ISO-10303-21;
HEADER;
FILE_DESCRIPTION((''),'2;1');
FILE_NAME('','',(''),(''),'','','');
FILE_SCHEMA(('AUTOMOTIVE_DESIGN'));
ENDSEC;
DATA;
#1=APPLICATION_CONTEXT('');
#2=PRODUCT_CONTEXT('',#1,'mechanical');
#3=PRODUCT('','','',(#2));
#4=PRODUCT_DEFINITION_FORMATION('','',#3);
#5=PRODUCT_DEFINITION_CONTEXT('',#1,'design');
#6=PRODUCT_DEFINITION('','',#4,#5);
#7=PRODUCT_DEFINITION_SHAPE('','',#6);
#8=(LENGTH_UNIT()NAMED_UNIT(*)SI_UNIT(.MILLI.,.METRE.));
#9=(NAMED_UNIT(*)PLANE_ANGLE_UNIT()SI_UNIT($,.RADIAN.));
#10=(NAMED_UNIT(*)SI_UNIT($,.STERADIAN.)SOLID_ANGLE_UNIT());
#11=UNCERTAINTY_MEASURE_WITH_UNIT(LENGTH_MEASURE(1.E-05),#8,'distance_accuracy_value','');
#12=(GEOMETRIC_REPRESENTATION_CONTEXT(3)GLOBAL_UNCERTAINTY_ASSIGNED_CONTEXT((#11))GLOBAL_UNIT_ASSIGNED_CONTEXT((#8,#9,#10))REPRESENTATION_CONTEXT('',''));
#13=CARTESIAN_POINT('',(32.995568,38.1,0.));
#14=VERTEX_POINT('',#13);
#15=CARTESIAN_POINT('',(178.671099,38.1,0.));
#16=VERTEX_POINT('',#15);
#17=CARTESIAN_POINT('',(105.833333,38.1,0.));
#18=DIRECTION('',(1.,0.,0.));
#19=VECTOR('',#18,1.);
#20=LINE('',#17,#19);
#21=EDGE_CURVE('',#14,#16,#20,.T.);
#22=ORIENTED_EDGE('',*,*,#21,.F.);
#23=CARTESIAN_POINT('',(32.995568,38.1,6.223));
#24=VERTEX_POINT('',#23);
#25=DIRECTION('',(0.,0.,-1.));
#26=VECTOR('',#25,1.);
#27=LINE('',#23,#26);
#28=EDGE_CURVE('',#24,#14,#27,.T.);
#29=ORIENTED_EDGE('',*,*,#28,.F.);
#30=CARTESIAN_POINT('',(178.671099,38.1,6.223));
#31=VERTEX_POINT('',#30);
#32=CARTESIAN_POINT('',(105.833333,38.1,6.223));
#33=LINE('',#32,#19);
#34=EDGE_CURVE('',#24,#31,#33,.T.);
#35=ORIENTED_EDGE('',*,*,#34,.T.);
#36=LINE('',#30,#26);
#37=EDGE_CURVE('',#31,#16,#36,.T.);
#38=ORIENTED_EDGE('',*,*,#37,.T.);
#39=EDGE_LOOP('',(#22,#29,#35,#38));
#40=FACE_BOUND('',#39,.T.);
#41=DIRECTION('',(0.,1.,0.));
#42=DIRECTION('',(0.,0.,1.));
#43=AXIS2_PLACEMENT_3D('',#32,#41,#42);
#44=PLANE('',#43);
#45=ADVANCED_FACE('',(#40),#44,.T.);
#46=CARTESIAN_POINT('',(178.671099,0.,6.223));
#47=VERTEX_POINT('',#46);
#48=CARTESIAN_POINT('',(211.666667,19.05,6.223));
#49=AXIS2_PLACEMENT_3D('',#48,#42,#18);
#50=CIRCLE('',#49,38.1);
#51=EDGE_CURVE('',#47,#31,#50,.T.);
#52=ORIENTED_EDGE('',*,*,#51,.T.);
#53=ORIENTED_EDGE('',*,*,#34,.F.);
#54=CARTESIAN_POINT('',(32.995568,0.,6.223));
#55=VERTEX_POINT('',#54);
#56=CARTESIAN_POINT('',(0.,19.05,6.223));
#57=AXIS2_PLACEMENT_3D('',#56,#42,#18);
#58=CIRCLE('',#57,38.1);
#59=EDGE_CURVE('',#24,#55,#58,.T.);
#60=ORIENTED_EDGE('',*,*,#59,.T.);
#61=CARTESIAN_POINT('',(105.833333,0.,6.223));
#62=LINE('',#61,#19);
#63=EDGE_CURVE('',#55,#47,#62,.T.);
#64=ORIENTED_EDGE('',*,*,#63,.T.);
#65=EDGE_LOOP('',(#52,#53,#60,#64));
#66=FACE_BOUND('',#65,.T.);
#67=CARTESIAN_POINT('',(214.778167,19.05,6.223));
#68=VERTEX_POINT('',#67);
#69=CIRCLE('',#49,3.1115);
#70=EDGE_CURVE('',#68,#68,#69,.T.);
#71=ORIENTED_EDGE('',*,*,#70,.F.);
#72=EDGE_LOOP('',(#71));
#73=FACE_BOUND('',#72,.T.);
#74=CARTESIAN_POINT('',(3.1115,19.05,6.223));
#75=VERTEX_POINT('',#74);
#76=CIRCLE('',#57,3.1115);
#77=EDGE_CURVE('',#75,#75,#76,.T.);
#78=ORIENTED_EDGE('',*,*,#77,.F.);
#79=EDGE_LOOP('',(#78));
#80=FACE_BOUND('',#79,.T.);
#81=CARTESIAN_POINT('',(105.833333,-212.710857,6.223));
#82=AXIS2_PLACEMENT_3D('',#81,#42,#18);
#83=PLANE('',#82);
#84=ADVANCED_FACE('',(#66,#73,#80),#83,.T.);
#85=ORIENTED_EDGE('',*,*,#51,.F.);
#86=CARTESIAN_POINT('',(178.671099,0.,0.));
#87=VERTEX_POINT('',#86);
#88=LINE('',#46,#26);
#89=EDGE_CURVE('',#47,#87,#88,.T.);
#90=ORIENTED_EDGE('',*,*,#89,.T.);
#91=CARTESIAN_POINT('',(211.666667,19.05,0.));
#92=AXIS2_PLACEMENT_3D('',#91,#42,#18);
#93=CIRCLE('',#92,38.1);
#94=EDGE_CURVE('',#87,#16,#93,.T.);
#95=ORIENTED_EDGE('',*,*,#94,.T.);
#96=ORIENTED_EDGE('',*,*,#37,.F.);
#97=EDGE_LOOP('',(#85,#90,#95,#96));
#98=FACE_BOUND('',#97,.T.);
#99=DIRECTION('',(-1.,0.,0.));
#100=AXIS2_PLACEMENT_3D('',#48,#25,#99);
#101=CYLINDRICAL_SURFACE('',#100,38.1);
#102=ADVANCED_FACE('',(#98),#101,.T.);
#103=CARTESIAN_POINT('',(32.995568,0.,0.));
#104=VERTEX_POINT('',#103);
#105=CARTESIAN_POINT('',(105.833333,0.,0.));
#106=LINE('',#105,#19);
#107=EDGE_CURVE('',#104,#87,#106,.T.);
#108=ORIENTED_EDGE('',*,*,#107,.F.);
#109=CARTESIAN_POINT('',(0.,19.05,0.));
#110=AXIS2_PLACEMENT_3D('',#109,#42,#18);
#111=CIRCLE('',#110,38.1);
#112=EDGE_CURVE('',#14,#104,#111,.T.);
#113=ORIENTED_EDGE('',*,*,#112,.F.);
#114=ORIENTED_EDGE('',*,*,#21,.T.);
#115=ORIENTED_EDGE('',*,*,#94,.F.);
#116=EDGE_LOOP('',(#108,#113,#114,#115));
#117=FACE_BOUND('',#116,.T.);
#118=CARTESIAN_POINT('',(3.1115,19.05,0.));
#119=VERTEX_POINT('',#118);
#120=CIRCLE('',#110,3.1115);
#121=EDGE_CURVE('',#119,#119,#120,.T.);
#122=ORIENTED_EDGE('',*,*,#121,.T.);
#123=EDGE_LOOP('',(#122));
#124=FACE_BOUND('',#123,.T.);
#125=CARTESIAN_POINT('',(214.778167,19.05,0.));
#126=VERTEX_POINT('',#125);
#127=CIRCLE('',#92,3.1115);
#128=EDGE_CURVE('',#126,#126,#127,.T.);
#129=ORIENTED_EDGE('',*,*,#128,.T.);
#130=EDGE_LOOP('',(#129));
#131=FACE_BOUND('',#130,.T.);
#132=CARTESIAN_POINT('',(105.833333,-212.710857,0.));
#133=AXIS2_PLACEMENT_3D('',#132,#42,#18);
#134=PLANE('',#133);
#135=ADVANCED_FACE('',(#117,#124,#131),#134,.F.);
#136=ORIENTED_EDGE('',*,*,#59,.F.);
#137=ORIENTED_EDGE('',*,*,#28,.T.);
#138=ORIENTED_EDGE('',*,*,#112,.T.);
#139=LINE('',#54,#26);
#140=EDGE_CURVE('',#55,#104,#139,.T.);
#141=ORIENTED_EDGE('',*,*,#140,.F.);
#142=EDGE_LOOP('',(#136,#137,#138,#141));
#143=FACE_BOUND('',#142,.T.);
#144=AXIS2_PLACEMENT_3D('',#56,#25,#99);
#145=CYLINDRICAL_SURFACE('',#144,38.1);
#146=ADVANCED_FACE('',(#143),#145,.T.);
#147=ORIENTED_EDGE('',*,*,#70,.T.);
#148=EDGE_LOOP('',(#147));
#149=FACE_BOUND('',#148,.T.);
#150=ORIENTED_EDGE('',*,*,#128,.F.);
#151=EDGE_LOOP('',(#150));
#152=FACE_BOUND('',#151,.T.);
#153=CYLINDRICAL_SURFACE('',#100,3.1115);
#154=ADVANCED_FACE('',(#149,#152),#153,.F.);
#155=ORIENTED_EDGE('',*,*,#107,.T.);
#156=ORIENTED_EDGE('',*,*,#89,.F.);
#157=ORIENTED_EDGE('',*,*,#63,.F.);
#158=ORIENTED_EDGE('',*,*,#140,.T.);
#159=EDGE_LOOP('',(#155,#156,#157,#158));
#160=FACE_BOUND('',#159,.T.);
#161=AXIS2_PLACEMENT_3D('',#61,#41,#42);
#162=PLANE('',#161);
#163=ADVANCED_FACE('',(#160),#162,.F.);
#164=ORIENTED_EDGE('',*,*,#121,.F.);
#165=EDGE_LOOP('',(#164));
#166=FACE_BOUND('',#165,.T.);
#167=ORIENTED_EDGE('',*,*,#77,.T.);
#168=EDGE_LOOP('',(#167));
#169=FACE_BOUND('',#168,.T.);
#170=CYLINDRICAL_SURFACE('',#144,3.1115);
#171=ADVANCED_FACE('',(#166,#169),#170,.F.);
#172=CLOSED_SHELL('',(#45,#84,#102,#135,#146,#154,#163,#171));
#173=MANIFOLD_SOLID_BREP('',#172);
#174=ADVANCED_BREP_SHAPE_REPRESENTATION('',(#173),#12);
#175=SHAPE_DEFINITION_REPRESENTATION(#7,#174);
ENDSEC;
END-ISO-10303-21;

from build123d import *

# Parameters (mm, degrees)
BOSS_EXTRUDE1_DEPTH = 6.223


with BuildPart() as part:
    # Sketch1 → Boss-Extrude1 (new body)
    with BuildSketch(Plane.XY):
        with BuildLine():
            Line((0, 15.9385), (0, 0))
            Line((0, 0), (32.995567884, 0))
            ThreePointArc((32.995567884, 0), (36.801773982, 9.188994382), (38.1, 19.05))
            ThreePointArc((38.1, 19.05), (36.801773982, 28.911005618), (32.995567884, 38.1))
            Line((32.995567884, 38.1), (0, 38.1))
            Line((0, 38.1), (0, 22.1615))
            ThreePointArc((0, 22.1615), (2.20016275, 21.25016275), (3.1115, 19.05))
            ThreePointArc((3.1115, 19.05), (2.20016275, 16.84983725), (0, 15.9385))
        make_face()
        with BuildLine():
            Line((32.995567884, 0), (0, 0))
            Line((0, 0), (0, 15.9385))
            ThreePointArc((0, 15.9385), (-3.1115, 19.05), (0, 22.1615))
            Line((0, 22.1615), (0, 38.1))
            Line((0, 38.1), (32.995567884, 38.1))
            ThreePointArc((32.995567884, 38.1), (-38.1, 19.05), (32.995567884, 0))
        make_face()
        with BuildLine():
            ThreePointArc((38.1, 19.05), (36.801773982, 9.188994382), (32.995567884, 0))
            Line((32.995567884, 0), (178.671098782, 0))
            ThreePointArc((178.671098782, 0), (173.566666667, 19.05), (178.671098782, 38.1))
            Line((178.671098782, 38.1), (32.995567884, 38.1))
            ThreePointArc((32.995567884, 38.1), (36.801773982, 28.911005618), (38.1, 19.05))
        make_face()
        with BuildLine():
            ThreePointArc((178.671098782, 38.1), (173.566666667, 19.05), (178.671098782, 0))
            Line((178.671098782, 0), (211.666666667, 0))
            Line((211.666666667, 0), (211.666666667, 15.9385))
            ThreePointArc((211.666666667, 15.9385), (208.555166667, 19.05), (211.666666667, 22.1615))
            Line((211.666666667, 22.1615), (211.666666667, 38.1))
            Line((211.666666667, 38.1), (178.671098782, 38.1))
        make_face()
        with BuildLine():
            Line((211.666666667, 0), (178.671098782, 0))
            ThreePointArc((178.671098782, 0), (221.527672285, -17.751773982), (249.766666667, 19.05))
            ThreePointArc((249.766666667, 19.05), (221.527672285, 55.851773982), (178.671098782, 38.1))
            Line((178.671098782, 38.1), (211.666666667, 38.1))
            Line((211.666666667, 38.1), (211.666666667, 22.1615))
            ThreePointArc((211.666666667, 22.1615), (213.866829416, 21.25016275), (214.778166667, 19.05))
            ThreePointArc((214.778166667, 19.05), (213.866829416, 16.84983725), (211.666666667, 15.9385))
            Line((211.666666667, 15.9385), (211.666666667, 0))
        make_face()
    extrude(amount=BOSS_EXTRUDE1_DEPTH)


solid = part.part
